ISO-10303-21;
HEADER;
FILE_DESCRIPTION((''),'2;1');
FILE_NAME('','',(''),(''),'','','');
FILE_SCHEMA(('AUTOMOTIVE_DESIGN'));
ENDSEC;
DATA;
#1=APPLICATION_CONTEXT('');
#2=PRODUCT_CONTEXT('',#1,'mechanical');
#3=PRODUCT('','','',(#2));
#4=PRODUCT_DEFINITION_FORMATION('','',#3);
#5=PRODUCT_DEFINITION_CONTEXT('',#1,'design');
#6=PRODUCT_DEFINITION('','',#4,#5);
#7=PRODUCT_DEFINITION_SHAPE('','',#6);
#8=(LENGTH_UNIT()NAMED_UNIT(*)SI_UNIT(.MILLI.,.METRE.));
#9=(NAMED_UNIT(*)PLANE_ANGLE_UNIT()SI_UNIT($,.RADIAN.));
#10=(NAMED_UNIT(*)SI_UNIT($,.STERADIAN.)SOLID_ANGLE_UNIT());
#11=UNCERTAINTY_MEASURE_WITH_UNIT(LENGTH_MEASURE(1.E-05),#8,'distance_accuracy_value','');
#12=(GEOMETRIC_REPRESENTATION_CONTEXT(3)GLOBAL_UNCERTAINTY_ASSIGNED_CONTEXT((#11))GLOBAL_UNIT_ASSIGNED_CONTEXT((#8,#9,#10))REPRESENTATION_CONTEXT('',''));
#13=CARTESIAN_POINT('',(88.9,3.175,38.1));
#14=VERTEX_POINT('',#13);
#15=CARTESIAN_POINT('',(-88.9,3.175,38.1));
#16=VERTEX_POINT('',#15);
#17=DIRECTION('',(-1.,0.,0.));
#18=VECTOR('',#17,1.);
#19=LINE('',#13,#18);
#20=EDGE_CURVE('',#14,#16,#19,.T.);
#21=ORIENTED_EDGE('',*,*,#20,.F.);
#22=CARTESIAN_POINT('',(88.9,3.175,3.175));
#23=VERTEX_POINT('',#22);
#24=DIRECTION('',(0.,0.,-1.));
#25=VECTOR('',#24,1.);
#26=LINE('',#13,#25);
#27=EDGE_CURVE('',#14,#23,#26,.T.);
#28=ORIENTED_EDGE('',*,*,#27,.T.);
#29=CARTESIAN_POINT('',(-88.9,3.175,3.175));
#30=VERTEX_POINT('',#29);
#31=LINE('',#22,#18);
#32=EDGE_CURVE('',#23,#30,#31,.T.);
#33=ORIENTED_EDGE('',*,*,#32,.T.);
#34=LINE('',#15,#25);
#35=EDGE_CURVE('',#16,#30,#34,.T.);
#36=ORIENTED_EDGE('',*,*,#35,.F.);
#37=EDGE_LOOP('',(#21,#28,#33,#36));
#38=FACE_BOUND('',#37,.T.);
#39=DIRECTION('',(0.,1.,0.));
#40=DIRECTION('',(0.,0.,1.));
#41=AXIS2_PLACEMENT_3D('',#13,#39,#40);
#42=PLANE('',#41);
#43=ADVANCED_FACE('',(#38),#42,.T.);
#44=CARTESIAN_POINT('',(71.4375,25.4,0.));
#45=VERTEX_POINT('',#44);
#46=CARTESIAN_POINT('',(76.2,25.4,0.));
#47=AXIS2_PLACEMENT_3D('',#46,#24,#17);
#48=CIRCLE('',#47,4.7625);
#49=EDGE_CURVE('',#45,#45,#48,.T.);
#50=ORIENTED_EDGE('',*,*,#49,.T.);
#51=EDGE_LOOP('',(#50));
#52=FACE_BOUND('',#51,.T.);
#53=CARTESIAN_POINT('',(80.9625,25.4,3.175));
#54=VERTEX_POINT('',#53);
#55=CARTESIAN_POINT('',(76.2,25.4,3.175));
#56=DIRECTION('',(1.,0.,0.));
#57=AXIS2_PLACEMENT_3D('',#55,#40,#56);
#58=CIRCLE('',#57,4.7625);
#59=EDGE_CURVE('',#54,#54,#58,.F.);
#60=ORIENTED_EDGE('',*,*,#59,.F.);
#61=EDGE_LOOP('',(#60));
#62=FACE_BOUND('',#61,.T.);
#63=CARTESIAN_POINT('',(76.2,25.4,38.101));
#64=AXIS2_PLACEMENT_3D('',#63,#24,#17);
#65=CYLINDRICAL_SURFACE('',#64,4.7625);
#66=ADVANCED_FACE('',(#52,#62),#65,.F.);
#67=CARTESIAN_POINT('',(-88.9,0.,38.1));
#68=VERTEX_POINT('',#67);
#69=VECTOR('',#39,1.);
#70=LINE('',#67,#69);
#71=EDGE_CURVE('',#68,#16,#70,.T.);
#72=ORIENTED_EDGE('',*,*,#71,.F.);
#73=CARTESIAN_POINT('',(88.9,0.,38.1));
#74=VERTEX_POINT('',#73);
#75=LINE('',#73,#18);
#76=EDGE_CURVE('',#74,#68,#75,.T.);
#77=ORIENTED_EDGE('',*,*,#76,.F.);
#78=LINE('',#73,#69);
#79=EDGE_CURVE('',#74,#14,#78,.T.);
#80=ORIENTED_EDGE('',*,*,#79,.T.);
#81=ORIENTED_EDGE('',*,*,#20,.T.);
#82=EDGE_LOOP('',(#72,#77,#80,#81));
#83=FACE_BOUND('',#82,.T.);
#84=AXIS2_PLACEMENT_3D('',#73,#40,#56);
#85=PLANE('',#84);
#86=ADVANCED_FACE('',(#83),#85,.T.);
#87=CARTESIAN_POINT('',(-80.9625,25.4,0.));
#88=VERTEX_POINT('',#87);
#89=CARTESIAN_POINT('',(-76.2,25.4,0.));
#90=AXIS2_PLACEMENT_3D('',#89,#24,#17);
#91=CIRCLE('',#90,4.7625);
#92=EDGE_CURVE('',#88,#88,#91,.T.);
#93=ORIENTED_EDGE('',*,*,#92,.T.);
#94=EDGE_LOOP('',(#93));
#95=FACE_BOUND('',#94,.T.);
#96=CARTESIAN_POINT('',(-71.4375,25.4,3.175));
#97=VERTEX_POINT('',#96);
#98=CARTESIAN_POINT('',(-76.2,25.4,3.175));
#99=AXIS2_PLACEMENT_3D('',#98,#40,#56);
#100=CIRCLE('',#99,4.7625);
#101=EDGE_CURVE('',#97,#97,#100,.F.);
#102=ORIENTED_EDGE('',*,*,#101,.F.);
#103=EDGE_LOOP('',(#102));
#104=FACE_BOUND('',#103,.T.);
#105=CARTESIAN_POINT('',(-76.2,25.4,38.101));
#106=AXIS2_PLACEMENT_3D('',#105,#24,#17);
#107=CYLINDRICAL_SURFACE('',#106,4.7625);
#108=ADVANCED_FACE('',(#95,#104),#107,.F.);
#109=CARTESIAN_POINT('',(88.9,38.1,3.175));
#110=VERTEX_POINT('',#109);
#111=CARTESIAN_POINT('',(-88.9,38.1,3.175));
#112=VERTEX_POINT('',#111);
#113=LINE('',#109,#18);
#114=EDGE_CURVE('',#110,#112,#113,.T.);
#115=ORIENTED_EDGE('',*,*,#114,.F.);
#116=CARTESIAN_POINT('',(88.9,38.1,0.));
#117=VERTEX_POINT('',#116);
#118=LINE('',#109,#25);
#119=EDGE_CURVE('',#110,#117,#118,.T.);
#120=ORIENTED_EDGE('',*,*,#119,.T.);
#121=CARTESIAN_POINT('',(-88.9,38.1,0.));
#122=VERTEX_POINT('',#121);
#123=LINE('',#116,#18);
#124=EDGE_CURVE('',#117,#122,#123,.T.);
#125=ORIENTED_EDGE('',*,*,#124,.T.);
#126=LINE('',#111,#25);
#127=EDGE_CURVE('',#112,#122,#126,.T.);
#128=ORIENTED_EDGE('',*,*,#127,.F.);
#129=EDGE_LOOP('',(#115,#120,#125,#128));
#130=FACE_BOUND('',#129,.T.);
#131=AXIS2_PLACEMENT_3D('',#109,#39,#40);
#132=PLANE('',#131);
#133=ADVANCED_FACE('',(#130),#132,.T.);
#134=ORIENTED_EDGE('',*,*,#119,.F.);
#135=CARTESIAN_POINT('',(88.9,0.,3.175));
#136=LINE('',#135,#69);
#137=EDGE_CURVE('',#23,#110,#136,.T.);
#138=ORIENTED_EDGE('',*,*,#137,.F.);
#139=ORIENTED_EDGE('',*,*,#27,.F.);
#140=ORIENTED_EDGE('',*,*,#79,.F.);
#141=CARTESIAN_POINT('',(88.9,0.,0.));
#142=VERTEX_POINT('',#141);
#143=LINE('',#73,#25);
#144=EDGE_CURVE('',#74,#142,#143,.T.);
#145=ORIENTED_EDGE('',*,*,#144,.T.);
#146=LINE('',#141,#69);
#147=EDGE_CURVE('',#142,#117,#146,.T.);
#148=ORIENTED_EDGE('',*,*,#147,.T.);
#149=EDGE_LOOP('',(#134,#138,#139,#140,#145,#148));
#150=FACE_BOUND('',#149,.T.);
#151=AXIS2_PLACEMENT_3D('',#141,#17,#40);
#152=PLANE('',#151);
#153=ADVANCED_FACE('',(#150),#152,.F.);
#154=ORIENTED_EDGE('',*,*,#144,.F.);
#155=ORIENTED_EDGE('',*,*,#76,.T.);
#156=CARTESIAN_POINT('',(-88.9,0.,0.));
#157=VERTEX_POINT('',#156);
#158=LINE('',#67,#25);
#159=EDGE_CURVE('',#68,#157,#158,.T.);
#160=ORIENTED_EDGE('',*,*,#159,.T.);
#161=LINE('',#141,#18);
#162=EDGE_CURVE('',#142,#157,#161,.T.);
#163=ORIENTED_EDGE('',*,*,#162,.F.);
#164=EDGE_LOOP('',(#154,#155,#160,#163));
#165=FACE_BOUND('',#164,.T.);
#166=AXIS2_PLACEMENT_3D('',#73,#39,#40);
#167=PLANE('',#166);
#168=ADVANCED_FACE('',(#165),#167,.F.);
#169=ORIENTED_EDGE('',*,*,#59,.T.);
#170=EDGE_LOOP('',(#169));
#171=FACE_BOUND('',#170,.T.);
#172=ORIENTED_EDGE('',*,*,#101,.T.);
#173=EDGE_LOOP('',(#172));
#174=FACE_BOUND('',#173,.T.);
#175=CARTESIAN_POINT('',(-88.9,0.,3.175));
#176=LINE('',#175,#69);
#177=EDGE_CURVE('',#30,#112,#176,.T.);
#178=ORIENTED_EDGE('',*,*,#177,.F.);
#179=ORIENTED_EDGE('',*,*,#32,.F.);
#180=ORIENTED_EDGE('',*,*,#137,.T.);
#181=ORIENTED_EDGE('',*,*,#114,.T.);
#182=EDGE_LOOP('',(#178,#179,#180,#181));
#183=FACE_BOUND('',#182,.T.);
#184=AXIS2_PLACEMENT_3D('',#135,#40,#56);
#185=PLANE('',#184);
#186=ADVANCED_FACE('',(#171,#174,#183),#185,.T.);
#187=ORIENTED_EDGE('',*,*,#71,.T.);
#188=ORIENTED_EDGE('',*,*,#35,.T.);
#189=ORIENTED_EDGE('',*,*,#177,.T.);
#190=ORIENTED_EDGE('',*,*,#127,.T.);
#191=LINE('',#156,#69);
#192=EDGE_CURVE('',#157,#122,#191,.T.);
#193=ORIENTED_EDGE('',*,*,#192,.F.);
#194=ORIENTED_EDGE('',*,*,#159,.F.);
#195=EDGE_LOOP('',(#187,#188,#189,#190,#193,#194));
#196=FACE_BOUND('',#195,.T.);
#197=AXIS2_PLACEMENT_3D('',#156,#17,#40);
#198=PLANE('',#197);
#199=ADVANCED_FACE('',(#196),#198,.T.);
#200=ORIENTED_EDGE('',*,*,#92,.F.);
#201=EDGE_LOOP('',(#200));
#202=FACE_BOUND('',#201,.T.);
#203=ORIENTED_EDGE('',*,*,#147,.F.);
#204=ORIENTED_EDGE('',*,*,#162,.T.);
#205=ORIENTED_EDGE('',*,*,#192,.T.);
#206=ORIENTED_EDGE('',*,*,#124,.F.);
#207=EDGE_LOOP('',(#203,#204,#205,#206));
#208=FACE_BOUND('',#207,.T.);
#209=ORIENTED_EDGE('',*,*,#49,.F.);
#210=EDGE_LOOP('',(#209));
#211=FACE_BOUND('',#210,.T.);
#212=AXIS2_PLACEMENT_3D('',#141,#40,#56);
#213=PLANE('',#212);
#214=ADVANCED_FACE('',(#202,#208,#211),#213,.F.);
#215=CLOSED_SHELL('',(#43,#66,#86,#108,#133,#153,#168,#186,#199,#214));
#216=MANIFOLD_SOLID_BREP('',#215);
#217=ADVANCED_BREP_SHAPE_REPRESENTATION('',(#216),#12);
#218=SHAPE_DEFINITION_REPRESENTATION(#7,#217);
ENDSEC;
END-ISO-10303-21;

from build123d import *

# Parameters (mm, degrees)
EXTRUDE_THIN1_DEPTH = 88.9
CUT_EXTRUDE1_REACH  = 105.954
SKETCH2_R           = 4.7625


with BuildPart() as part:
    # Sketch1 → Extrude-Thin1 (new, symmetric)
    with BuildSketch(Plane(origin=(0, 0, 0), x_dir=(0, 0, -1), z_dir=(1, 0, 0))):
        Polygon((-38.1, 0), (0, 0), (0, 38.1), (-3.175, 38.1), (-3.175, 3.175), (-38.1, 3.175), align=None)
    extrude(amount=EXTRUDE_THIN1_DEPTH, both=True)

    # Sketch2 → Cut-Extrude1 (cut, up to next)
    with BuildSketch(Plane(origin=(0, 0, 0), x_dir=(-1, 0, 0), z_dir=(0, 0, -1)), mode=Mode.PRIVATE) as cut_extrude1_sk1:
        with Locations((-76.2, 25.4)):
            Circle(SKETCH2_R)
    cut_extrude1_tool1 = extrude(cut_extrude1_sk1.sketch, amount=-CUT_EXTRUDE1_REACH, mode=Mode.PRIVATE) & part.part
    # Sketch2 → Cut-Extrude1 (cut, up to next)
    with BuildSketch(Plane(origin=(0, 0, 0), x_dir=(-1, 0, 0), z_dir=(0, 0, -1)), mode=Mode.PRIVATE) as cut_extrude1_sk2:
        with Locations((76.2, 25.4)):
            Circle(SKETCH2_R)
    cut_extrude1_tool2 = extrude(cut_extrude1_sk2.sketch, amount=-CUT_EXTRUDE1_REACH, mode=Mode.PRIVATE) & part.part
    add(cut_extrude1_tool1.solids().sort_by_distance((76.2, 25.4, 0))[0], mode=Mode.SUBTRACT)
    add(cut_extrude1_tool2.solids().sort_by_distance((-76.2, 25.4, 0))[0], mode=Mode.SUBTRACT)


solid = part.part
